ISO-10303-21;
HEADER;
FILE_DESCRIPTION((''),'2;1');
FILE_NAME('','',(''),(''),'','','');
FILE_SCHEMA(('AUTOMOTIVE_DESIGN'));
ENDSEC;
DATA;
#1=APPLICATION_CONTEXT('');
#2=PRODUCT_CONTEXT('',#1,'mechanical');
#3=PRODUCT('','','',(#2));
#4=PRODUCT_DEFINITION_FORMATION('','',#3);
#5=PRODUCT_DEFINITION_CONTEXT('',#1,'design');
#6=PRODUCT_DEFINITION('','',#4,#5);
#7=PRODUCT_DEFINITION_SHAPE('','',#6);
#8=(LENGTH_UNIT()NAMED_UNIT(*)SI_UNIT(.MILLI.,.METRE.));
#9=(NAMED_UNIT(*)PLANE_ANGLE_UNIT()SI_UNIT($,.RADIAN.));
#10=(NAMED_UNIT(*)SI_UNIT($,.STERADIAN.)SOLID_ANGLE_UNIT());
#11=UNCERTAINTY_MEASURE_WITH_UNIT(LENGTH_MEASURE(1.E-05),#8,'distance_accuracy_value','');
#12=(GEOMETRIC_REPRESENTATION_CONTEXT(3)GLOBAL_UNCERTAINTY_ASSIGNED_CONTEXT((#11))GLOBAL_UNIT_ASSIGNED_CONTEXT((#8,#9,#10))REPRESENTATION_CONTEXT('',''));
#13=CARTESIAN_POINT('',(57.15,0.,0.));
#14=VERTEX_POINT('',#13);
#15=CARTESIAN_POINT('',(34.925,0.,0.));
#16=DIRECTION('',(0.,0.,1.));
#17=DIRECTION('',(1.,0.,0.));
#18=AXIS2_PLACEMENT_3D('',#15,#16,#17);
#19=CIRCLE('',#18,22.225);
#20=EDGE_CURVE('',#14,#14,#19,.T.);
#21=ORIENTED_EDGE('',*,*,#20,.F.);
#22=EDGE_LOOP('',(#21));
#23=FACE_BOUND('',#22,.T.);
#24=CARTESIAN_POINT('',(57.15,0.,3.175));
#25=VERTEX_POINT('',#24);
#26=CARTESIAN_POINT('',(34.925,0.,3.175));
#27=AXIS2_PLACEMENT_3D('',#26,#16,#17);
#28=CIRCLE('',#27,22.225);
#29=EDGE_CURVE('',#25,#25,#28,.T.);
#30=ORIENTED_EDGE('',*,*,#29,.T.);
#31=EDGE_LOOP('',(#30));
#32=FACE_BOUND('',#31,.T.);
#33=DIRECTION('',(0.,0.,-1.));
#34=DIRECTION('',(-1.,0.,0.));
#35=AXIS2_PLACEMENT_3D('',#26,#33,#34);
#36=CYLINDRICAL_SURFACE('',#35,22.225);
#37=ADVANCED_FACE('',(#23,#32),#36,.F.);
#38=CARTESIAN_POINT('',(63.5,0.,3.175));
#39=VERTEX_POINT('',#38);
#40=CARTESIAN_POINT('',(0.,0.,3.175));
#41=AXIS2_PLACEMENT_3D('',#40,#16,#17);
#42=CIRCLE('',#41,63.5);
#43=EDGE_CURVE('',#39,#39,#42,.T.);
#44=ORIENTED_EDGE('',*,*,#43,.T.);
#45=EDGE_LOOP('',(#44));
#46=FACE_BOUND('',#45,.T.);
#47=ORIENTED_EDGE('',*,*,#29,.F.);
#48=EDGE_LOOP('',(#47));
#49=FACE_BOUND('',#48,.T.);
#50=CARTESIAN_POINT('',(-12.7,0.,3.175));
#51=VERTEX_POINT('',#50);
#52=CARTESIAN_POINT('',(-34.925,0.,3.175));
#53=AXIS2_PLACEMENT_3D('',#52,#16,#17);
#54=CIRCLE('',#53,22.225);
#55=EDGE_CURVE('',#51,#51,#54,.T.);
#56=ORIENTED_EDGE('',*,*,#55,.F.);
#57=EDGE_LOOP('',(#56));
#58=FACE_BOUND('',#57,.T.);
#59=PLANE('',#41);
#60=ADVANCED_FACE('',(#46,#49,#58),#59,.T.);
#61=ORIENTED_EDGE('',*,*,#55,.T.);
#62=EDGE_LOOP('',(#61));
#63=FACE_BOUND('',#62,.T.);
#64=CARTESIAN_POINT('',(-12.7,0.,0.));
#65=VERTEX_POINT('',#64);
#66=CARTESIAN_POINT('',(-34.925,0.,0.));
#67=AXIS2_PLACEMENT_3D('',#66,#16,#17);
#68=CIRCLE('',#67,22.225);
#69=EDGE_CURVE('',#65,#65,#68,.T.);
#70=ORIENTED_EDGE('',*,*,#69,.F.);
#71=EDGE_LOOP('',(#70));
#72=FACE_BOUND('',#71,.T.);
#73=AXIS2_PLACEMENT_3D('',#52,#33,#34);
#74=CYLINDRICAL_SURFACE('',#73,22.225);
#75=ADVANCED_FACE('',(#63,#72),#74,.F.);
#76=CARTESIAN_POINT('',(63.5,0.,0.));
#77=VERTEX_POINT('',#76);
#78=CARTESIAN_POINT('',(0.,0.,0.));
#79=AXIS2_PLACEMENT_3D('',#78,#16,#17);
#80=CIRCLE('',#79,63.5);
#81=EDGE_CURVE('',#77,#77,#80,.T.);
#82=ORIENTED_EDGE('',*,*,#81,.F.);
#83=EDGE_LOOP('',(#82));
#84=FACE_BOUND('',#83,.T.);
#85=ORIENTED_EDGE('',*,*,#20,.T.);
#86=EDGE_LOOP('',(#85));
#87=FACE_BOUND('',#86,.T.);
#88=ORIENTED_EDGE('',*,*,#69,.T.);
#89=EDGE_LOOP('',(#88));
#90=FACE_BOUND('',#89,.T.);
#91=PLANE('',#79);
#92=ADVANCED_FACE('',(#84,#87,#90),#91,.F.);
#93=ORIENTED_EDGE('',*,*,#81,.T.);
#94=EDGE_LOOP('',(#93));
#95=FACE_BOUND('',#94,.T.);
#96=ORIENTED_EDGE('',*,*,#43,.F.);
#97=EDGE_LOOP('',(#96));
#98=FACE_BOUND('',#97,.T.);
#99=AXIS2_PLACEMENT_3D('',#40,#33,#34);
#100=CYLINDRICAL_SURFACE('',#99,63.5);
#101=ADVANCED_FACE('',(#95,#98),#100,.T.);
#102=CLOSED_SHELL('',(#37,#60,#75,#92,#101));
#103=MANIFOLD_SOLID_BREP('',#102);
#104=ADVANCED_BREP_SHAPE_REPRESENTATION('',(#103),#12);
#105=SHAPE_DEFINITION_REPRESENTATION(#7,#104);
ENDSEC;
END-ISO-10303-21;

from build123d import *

# Parameters (mm, degrees)
SKETCH1_R           = 63.5
SKETCH1_R_2         = 22.225
BOSS_EXTRUDE1_DEPTH = 3.175


with BuildPart() as part:
    # Sketch1 → Boss-Extrude1 (new body)
    with BuildSketch(Plane.XY):
        Circle(SKETCH1_R)
        with Locations((34.925, 0)):
            Circle(SKETCH1_R_2, mode=Mode.SUBTRACT)
        with Locations((-34.925, 0)):
            Circle(SKETCH1_R_2, mode=Mode.SUBTRACT)
    extrude(amount=BOSS_EXTRUDE1_DEPTH)


solid = part.part
